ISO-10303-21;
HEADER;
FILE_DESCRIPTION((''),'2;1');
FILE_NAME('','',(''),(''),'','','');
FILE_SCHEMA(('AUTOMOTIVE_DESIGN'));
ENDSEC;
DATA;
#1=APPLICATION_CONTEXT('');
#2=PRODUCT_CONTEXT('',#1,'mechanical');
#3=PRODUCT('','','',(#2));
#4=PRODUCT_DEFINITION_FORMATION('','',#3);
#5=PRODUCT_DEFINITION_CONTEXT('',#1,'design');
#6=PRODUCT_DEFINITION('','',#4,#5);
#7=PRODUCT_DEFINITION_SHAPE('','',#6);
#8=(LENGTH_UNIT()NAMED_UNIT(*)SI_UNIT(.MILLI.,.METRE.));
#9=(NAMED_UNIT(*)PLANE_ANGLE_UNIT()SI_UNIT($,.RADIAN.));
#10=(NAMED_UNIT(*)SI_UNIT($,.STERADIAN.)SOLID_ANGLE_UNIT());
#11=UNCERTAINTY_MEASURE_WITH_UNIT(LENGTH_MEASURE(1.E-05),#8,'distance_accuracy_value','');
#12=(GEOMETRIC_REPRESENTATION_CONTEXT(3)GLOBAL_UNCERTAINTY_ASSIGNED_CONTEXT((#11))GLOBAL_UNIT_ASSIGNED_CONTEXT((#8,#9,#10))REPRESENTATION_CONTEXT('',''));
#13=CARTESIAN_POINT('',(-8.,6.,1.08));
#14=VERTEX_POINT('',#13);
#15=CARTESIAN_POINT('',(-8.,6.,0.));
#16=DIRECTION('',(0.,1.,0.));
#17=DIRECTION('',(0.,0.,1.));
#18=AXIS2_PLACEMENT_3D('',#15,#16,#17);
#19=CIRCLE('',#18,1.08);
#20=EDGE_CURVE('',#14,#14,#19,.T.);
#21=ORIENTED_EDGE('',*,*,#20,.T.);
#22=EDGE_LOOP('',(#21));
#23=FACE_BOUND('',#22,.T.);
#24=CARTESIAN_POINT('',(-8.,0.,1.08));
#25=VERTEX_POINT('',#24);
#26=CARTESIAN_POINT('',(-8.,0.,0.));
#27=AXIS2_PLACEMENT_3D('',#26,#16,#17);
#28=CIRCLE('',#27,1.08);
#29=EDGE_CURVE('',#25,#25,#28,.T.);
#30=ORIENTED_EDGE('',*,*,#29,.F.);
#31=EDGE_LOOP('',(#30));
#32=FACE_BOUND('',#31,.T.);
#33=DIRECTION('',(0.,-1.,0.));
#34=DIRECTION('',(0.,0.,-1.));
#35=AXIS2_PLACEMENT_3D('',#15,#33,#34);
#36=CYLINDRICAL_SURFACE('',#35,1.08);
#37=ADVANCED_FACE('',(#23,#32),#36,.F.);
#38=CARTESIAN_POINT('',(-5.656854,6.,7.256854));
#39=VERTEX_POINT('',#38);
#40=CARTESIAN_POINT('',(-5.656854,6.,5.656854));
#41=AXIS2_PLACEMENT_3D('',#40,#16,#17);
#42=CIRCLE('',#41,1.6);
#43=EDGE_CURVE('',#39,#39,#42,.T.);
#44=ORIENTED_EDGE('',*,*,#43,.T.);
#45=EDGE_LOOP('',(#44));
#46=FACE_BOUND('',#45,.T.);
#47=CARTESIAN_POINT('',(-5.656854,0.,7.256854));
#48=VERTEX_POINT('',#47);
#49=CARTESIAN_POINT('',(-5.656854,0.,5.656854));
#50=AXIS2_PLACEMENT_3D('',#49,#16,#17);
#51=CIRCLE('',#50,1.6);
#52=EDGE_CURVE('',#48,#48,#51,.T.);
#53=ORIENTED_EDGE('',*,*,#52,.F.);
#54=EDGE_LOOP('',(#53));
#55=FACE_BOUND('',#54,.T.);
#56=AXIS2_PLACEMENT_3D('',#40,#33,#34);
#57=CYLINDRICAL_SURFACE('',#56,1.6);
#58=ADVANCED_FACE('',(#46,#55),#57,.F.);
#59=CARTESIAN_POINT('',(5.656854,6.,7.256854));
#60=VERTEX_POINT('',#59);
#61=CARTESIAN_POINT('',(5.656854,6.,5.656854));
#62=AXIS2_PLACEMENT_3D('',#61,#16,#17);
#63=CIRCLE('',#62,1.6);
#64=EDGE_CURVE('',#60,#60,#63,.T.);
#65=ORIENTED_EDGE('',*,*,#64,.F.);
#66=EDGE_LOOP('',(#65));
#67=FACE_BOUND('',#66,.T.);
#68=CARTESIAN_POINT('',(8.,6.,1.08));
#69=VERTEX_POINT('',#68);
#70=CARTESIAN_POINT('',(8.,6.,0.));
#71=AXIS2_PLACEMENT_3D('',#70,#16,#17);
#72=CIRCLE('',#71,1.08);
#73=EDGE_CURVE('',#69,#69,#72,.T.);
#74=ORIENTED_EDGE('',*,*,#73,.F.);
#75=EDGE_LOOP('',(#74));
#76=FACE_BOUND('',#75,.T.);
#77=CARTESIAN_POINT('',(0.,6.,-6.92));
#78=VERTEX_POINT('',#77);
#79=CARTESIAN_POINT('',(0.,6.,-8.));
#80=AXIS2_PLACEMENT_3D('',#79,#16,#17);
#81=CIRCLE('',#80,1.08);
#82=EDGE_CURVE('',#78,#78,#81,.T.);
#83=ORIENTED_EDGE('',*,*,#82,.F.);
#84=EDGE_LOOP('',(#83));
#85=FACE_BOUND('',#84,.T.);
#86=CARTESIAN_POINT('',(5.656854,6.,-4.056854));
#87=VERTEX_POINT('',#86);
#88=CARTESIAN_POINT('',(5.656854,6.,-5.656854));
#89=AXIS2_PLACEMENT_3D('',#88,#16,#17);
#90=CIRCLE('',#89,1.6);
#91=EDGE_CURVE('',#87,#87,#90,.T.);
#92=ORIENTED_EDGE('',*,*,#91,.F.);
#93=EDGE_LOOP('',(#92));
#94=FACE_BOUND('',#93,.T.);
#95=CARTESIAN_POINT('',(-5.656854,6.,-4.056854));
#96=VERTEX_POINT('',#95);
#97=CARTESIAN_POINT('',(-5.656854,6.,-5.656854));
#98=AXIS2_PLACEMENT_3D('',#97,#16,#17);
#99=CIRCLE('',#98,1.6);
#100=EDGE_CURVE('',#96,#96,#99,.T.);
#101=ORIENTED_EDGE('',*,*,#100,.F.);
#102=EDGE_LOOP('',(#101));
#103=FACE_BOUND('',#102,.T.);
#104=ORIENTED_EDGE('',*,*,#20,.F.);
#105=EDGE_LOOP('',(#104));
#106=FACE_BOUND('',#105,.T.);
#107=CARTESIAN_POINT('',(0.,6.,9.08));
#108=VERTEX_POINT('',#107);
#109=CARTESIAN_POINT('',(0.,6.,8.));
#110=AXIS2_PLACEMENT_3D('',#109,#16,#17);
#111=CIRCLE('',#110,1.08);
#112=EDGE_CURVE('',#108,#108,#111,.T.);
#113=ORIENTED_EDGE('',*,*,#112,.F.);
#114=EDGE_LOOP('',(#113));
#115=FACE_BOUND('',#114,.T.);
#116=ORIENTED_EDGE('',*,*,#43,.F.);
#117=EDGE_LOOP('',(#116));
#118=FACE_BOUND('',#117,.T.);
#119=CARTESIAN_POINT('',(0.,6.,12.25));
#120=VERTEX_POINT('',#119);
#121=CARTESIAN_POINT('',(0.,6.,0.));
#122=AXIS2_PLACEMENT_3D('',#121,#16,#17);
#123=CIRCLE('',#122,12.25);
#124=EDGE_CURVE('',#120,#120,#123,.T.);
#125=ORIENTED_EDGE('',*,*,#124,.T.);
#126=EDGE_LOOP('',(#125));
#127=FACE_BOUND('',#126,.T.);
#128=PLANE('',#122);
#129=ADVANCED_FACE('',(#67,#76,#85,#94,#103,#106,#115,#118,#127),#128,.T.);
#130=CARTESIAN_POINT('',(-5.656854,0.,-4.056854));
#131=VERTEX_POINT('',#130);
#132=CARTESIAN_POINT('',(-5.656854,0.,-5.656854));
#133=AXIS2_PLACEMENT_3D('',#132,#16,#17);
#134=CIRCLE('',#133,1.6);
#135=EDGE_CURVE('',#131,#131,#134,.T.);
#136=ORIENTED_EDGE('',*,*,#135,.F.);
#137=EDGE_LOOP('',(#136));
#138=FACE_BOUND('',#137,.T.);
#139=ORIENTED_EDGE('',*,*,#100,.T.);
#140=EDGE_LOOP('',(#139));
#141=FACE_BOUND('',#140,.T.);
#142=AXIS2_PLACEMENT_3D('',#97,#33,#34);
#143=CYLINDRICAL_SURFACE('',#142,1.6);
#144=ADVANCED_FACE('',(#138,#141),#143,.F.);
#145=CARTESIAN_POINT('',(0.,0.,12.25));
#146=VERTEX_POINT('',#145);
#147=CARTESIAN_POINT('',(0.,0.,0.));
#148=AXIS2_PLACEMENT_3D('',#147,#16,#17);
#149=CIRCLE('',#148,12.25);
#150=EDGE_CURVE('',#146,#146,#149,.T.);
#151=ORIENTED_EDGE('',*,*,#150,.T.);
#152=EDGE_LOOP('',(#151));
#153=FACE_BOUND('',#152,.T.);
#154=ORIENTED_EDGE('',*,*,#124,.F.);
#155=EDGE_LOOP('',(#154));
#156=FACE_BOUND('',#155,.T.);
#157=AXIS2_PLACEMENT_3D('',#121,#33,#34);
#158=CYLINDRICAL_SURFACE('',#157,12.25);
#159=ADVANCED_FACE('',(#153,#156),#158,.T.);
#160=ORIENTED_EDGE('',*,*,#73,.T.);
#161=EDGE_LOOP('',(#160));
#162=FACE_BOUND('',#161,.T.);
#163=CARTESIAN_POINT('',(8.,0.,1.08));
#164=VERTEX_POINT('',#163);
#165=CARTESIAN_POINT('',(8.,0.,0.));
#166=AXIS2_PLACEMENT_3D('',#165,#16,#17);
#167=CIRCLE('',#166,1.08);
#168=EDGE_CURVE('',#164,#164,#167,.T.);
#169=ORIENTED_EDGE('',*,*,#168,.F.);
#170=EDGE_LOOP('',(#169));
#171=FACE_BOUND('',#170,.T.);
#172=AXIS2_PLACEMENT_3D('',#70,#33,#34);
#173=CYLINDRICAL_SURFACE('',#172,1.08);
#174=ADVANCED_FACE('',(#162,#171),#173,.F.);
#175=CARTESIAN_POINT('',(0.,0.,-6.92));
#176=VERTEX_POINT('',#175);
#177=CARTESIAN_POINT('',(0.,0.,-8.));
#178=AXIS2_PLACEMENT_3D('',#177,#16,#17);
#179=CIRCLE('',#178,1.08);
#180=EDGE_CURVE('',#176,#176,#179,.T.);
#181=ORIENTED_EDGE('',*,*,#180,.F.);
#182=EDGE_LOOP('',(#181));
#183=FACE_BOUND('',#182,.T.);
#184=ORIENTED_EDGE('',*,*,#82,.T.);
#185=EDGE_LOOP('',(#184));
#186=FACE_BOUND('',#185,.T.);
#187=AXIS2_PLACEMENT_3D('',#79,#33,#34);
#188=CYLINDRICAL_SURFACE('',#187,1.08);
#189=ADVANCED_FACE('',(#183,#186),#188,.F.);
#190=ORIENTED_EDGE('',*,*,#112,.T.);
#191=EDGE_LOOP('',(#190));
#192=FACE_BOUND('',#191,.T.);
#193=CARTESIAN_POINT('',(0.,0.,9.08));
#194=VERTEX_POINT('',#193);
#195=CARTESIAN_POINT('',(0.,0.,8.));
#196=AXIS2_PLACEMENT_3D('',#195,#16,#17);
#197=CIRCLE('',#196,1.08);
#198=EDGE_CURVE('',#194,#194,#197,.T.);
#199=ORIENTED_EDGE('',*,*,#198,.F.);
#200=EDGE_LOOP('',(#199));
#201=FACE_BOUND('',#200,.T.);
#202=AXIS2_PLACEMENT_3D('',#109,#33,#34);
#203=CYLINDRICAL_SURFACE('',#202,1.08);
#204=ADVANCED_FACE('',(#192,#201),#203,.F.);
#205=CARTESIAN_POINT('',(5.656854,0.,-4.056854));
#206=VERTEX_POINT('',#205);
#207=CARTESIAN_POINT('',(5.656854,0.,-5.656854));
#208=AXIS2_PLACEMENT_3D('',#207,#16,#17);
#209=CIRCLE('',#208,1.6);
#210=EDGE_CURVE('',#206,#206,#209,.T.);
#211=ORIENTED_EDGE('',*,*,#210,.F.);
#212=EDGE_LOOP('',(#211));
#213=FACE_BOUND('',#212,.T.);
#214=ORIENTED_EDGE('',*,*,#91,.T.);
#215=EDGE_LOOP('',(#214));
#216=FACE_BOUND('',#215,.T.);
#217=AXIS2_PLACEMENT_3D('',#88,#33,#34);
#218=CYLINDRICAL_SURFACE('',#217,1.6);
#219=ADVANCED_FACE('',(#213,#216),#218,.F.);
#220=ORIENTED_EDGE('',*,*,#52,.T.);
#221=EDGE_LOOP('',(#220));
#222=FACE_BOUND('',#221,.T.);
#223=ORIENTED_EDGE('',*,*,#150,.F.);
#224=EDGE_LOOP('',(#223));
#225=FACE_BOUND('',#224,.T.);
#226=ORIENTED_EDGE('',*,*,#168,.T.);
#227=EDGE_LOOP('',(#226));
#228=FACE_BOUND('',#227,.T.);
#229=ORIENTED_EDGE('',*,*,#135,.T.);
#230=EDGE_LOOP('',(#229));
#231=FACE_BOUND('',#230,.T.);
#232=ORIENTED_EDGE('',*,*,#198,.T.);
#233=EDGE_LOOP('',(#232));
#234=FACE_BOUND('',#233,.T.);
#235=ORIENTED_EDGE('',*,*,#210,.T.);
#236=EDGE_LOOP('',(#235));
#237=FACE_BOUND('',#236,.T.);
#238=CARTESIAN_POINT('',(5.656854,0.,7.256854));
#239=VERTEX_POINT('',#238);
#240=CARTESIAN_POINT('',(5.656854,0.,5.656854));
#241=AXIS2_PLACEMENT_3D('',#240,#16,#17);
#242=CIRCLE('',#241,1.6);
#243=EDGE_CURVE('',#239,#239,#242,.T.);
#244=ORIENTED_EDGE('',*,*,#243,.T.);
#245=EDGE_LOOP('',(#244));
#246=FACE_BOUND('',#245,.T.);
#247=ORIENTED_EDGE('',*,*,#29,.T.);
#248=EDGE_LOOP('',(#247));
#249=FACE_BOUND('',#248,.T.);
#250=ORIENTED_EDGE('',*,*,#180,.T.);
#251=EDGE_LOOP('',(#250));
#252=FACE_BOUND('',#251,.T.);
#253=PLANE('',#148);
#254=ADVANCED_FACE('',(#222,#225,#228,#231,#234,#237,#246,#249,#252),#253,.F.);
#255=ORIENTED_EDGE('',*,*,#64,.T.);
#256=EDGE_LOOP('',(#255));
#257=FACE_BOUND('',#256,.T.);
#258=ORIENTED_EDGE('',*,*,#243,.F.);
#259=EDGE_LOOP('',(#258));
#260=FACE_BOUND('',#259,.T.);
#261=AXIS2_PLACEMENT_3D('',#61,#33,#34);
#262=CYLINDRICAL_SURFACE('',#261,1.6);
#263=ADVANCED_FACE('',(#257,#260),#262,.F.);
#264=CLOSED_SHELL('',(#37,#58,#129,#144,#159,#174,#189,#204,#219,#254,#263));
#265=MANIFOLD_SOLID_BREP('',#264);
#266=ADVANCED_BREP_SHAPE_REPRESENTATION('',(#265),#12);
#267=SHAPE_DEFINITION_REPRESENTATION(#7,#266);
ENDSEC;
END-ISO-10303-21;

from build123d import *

# Parameters (mm, degrees)
SKETCH_1_R      = 12.25
SKETCH_1_R_2    = 1.08
SKETCH_1_R_3    = 1.6
EXTRUDE_1_DEPTH = 6


with BuildPart() as part:
    # 草图1 → 凸台-拉伸1 (new body)
    with BuildSketch(Plane(origin=(0, 0, 0), x_dir=(1, 0, 0), z_dir=(0, 1, 0))):
        with Locations(Location((0, 0, 0), (0, 0, 270))):
            Circle(SKETCH_1_R)
        with Locations(Location((0, 8, 0), (0, 0, 270))):
            Circle(SKETCH_1_R_2, mode=Mode.SUBTRACT)
        with Locations(Location((8, 0, 0), (0, 0, 270))):
            Circle(SKETCH_1_R_2, mode=Mode.SUBTRACT)
        with Locations(Location((0, -8, 0), (0, 0, 270))):
            Circle(SKETCH_1_R_2, mode=Mode.SUBTRACT)
        with Locations(Location((-8, 0, 0), (0, 0, 270))):
            Circle(SKETCH_1_R_2, mode=Mode.SUBTRACT)
        with Locations(Location((-5.656854249, 5.656854249, 0), (0, 0, 270))):
            Circle(SKETCH_1_R_3, mode=Mode.SUBTRACT)
        with Locations(Location((5.656854249, 5.656854249, 0), (0, 0, 270))):
            Circle(SKETCH_1_R_3, mode=Mode.SUBTRACT)
        with Locations(Location((5.656854249, -5.656854249, 0), (0, 0, 270))):
            Circle(SKETCH_1_R_3, mode=Mode.SUBTRACT)
        with Locations(Location((-5.656854249, -5.656854249, 0), (0, 0, 270))):
            Circle(SKETCH_1_R_3, mode=Mode.SUBTRACT)
    extrude(amount=EXTRUDE_1_DEPTH)


solid = part.part
